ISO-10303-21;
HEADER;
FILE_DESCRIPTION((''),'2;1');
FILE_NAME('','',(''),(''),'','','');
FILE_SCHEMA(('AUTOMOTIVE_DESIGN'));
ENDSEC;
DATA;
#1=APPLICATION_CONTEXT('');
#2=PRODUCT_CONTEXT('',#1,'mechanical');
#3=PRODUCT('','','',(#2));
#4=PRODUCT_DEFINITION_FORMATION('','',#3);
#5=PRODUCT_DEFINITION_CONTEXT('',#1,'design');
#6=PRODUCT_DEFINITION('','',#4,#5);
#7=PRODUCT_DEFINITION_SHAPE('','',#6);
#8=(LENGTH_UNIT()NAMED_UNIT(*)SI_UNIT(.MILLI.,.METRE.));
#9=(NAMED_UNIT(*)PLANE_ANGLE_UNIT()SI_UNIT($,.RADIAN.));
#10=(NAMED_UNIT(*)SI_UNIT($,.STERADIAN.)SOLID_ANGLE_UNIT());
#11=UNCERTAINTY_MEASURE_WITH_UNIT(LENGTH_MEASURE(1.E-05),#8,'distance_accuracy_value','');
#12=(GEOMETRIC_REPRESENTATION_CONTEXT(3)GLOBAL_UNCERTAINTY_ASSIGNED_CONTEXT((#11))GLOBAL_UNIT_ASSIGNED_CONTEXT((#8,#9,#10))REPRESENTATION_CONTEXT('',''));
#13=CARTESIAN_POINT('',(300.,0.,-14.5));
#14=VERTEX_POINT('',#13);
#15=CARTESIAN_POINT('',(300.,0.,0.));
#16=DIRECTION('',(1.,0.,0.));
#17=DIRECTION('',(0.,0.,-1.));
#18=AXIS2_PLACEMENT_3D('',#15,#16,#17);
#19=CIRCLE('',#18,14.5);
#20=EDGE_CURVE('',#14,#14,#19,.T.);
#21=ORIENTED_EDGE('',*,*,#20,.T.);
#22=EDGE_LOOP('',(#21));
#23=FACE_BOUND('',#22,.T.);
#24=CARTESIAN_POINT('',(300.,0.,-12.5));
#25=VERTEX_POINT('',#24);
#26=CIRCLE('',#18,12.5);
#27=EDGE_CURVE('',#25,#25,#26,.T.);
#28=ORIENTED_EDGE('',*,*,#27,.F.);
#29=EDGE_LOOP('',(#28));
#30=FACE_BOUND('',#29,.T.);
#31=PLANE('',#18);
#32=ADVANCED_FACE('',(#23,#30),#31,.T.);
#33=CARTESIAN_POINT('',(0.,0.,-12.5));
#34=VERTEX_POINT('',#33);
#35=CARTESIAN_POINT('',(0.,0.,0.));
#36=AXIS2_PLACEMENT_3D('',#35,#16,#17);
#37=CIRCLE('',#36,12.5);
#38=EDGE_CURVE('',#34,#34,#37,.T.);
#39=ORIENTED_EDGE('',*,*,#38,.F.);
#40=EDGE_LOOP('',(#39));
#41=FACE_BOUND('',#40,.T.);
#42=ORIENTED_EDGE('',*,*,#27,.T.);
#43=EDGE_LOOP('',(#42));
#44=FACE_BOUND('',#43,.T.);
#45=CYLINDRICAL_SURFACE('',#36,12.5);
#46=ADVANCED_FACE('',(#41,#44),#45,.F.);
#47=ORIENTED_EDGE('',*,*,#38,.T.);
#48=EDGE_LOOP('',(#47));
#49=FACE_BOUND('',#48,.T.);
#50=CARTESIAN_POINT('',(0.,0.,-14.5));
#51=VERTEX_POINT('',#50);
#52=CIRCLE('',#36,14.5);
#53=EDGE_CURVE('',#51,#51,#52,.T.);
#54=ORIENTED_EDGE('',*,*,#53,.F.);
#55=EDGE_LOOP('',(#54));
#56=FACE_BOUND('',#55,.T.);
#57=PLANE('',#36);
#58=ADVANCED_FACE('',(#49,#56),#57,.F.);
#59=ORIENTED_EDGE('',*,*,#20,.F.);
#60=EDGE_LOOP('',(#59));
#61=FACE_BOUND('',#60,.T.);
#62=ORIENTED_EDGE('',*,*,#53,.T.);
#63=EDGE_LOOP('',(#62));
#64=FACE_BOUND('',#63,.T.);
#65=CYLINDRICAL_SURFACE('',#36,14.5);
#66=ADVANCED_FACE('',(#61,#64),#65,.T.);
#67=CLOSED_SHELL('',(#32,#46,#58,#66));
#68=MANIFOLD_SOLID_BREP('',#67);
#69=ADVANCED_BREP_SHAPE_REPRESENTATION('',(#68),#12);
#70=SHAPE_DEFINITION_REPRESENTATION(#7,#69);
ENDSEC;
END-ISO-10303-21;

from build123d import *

# Parameters (mm, degrees)
SWEEP_THIN1_PROFILE_R   = 14.5
SWEEP_THIN1_PROFILE_R_2 = 12.5


with BuildPart() as part:
    # Sweep-Thin1: sweep along a path in Sketch1
    with BuildLine(Plane.XY) as sweep_thin1_path:
        Line((0, 0), (300, 0))
    # Sweep-Thin1 profile (on start of the path) → Sweep-Thin1 (sweep)
    with BuildSketch(Plane(origin=(0, 0, 0), x_dir=(0, 0, 1), z_dir=(1, 0, 0))):
        Circle(SWEEP_THIN1_PROFILE_R)
        Circle(SWEEP_THIN1_PROFILE_R_2, mode=Mode.SUBTRACT)
    sweep(path=sweep_thin1_path.line)


solid = part.part
